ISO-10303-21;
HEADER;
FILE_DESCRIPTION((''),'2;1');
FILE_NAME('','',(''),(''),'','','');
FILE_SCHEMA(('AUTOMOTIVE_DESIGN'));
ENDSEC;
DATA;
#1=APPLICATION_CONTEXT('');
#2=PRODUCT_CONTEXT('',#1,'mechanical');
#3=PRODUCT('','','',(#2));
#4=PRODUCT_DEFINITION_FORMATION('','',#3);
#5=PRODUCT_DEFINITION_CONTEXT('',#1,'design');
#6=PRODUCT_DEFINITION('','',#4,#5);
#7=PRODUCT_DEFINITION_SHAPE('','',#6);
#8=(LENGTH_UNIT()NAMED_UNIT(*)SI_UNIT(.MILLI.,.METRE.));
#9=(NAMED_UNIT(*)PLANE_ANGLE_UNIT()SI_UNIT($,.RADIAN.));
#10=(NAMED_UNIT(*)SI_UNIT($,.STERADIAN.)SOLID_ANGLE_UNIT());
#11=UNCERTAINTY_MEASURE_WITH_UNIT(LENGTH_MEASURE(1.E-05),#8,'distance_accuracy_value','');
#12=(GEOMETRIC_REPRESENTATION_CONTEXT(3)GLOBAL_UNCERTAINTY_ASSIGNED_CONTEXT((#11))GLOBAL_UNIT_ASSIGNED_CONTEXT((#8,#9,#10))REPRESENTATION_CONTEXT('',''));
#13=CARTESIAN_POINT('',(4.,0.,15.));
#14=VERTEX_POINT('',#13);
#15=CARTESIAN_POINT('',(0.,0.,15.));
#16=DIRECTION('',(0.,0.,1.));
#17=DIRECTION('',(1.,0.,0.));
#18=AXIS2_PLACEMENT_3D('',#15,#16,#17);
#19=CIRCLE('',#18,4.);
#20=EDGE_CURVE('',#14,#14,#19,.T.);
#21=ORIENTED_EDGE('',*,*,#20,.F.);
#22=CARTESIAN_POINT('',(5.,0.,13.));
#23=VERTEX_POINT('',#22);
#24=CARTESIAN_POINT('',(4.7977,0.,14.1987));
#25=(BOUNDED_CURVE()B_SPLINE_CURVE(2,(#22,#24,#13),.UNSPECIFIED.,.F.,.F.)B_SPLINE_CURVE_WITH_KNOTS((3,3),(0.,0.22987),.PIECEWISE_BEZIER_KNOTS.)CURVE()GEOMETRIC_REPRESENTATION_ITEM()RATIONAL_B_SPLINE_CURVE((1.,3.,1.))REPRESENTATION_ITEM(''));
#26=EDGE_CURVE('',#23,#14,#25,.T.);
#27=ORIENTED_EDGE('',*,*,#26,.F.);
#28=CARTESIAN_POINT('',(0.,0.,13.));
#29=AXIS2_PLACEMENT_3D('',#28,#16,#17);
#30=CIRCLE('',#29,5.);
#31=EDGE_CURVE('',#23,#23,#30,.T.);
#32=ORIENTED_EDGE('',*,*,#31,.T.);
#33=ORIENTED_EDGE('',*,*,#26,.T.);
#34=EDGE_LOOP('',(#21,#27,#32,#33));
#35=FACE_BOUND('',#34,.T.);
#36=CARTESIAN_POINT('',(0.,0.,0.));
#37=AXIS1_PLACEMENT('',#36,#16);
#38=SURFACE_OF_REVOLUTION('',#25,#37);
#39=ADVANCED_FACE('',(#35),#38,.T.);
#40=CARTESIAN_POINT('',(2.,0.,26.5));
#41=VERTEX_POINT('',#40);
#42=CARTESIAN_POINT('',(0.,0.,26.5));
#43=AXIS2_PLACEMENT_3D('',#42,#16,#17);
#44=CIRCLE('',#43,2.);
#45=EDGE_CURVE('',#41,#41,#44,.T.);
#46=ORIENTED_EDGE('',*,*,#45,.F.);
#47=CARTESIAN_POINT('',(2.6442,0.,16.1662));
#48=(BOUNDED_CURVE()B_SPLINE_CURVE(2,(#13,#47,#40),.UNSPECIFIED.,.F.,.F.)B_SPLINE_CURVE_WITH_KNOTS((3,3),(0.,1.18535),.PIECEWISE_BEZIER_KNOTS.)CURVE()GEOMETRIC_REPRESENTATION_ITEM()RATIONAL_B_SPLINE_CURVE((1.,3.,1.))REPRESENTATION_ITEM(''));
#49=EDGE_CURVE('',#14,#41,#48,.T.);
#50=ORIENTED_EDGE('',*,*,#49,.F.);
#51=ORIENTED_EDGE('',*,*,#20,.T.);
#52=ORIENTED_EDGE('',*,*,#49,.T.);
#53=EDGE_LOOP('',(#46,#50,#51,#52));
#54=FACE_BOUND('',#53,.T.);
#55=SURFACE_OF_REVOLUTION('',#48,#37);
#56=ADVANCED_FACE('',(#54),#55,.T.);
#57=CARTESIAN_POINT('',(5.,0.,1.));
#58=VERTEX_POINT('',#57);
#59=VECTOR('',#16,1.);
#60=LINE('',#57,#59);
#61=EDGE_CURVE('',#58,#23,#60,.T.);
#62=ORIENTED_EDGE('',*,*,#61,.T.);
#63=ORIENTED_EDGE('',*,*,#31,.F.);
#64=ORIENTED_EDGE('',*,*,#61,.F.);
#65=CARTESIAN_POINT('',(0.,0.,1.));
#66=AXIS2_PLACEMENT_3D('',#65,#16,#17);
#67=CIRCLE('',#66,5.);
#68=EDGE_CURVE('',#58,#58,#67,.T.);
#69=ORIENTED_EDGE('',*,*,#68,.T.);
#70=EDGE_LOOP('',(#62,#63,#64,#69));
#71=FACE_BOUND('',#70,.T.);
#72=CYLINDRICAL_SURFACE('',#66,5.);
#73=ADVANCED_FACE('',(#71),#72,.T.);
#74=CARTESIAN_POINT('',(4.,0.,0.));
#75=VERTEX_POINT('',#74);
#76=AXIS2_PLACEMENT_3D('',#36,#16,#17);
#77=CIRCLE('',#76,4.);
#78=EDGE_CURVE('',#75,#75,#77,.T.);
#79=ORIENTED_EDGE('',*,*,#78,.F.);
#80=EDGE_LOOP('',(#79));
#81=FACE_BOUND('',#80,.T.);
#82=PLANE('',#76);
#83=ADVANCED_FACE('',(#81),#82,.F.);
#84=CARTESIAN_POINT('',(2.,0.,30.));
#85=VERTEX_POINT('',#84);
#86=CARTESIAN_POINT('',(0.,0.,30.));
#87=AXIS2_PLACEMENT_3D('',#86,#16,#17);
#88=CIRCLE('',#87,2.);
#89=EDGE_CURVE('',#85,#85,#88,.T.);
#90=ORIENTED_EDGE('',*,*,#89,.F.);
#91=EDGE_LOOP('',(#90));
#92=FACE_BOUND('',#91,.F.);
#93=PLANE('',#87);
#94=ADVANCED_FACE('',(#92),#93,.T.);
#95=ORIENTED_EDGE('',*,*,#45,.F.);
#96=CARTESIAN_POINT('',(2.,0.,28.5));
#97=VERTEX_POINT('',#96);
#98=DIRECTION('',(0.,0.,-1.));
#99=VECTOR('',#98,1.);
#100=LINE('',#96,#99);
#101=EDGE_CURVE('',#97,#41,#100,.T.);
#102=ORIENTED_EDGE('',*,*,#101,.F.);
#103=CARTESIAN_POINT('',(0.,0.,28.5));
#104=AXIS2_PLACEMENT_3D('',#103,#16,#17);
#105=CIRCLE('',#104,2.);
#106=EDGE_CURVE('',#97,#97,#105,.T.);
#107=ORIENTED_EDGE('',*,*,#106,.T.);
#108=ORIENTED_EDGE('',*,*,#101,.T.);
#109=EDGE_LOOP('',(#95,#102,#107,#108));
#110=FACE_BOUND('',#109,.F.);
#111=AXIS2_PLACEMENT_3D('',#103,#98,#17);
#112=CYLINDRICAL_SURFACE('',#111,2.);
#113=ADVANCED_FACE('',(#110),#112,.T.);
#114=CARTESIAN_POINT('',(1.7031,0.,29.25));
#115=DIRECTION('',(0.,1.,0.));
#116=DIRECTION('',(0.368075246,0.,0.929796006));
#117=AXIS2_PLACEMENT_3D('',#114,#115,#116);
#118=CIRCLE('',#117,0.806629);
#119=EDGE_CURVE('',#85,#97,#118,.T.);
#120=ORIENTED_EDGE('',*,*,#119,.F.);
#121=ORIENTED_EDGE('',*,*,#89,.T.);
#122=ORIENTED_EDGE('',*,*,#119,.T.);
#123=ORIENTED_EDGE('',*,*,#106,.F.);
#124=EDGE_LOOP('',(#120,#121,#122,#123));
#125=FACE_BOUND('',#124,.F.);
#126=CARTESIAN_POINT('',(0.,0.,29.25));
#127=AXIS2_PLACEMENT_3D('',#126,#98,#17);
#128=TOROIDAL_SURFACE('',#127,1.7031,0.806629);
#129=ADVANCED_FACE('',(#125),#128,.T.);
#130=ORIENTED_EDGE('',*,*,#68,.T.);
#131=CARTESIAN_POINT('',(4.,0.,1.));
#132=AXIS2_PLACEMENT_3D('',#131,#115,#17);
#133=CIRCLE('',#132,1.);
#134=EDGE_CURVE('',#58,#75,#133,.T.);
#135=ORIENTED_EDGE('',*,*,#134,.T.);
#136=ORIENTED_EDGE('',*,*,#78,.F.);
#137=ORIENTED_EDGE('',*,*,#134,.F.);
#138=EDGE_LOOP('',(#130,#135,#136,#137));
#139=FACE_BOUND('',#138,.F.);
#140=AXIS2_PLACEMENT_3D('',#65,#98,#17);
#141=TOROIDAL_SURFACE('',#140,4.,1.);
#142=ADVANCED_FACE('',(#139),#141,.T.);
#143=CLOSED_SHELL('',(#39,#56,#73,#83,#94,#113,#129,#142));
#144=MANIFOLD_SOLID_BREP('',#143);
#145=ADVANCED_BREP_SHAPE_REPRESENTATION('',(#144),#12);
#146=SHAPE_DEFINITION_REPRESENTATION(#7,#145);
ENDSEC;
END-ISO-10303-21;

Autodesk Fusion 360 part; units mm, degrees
sketch "Sketch1" plane through (0, 0, 0) normal (0, 1, 0) x (1, 0, 0)
  line L0 (0, 0) -> (4, 0)
  arc A0 (5, -1) -> (4, 0) centre (4, -1) ccw
  line L1 (5, -1) -> (5, -13)
  line L2 (0, 0) -> (0, -30)
  line L3 (0, -30) -> (2, -30)
  spline S0 degree 2 poles (5, -13) (4.7977, -14.1987) (4, -15) knots 0 0 0 0.22987 0.22987 0.22987 weights 1 3 1
  arc A1 (2, -30) -> (2, -28.5) centre (1.7031, -29.25) ccw
  line L4 (2, -28.5) -> (2, -26.5)
  spline S1 degree 2 poles (4, -15) (2.6442, -16.1662) (2, -26.5) knots 0 0 0 1.18535 1.18535 1.18535 weights 1 3 1
  dimension "d1" = 4
  dimension "d2" = 12
  dimension "d3" = 30
  dimension "d9" = 2
  dimension "d11" = 2
revolve "Revolve1" add sketch "Sketch1" angle 360 about axis through (0, 0, 0) along (0, 0, 1)
